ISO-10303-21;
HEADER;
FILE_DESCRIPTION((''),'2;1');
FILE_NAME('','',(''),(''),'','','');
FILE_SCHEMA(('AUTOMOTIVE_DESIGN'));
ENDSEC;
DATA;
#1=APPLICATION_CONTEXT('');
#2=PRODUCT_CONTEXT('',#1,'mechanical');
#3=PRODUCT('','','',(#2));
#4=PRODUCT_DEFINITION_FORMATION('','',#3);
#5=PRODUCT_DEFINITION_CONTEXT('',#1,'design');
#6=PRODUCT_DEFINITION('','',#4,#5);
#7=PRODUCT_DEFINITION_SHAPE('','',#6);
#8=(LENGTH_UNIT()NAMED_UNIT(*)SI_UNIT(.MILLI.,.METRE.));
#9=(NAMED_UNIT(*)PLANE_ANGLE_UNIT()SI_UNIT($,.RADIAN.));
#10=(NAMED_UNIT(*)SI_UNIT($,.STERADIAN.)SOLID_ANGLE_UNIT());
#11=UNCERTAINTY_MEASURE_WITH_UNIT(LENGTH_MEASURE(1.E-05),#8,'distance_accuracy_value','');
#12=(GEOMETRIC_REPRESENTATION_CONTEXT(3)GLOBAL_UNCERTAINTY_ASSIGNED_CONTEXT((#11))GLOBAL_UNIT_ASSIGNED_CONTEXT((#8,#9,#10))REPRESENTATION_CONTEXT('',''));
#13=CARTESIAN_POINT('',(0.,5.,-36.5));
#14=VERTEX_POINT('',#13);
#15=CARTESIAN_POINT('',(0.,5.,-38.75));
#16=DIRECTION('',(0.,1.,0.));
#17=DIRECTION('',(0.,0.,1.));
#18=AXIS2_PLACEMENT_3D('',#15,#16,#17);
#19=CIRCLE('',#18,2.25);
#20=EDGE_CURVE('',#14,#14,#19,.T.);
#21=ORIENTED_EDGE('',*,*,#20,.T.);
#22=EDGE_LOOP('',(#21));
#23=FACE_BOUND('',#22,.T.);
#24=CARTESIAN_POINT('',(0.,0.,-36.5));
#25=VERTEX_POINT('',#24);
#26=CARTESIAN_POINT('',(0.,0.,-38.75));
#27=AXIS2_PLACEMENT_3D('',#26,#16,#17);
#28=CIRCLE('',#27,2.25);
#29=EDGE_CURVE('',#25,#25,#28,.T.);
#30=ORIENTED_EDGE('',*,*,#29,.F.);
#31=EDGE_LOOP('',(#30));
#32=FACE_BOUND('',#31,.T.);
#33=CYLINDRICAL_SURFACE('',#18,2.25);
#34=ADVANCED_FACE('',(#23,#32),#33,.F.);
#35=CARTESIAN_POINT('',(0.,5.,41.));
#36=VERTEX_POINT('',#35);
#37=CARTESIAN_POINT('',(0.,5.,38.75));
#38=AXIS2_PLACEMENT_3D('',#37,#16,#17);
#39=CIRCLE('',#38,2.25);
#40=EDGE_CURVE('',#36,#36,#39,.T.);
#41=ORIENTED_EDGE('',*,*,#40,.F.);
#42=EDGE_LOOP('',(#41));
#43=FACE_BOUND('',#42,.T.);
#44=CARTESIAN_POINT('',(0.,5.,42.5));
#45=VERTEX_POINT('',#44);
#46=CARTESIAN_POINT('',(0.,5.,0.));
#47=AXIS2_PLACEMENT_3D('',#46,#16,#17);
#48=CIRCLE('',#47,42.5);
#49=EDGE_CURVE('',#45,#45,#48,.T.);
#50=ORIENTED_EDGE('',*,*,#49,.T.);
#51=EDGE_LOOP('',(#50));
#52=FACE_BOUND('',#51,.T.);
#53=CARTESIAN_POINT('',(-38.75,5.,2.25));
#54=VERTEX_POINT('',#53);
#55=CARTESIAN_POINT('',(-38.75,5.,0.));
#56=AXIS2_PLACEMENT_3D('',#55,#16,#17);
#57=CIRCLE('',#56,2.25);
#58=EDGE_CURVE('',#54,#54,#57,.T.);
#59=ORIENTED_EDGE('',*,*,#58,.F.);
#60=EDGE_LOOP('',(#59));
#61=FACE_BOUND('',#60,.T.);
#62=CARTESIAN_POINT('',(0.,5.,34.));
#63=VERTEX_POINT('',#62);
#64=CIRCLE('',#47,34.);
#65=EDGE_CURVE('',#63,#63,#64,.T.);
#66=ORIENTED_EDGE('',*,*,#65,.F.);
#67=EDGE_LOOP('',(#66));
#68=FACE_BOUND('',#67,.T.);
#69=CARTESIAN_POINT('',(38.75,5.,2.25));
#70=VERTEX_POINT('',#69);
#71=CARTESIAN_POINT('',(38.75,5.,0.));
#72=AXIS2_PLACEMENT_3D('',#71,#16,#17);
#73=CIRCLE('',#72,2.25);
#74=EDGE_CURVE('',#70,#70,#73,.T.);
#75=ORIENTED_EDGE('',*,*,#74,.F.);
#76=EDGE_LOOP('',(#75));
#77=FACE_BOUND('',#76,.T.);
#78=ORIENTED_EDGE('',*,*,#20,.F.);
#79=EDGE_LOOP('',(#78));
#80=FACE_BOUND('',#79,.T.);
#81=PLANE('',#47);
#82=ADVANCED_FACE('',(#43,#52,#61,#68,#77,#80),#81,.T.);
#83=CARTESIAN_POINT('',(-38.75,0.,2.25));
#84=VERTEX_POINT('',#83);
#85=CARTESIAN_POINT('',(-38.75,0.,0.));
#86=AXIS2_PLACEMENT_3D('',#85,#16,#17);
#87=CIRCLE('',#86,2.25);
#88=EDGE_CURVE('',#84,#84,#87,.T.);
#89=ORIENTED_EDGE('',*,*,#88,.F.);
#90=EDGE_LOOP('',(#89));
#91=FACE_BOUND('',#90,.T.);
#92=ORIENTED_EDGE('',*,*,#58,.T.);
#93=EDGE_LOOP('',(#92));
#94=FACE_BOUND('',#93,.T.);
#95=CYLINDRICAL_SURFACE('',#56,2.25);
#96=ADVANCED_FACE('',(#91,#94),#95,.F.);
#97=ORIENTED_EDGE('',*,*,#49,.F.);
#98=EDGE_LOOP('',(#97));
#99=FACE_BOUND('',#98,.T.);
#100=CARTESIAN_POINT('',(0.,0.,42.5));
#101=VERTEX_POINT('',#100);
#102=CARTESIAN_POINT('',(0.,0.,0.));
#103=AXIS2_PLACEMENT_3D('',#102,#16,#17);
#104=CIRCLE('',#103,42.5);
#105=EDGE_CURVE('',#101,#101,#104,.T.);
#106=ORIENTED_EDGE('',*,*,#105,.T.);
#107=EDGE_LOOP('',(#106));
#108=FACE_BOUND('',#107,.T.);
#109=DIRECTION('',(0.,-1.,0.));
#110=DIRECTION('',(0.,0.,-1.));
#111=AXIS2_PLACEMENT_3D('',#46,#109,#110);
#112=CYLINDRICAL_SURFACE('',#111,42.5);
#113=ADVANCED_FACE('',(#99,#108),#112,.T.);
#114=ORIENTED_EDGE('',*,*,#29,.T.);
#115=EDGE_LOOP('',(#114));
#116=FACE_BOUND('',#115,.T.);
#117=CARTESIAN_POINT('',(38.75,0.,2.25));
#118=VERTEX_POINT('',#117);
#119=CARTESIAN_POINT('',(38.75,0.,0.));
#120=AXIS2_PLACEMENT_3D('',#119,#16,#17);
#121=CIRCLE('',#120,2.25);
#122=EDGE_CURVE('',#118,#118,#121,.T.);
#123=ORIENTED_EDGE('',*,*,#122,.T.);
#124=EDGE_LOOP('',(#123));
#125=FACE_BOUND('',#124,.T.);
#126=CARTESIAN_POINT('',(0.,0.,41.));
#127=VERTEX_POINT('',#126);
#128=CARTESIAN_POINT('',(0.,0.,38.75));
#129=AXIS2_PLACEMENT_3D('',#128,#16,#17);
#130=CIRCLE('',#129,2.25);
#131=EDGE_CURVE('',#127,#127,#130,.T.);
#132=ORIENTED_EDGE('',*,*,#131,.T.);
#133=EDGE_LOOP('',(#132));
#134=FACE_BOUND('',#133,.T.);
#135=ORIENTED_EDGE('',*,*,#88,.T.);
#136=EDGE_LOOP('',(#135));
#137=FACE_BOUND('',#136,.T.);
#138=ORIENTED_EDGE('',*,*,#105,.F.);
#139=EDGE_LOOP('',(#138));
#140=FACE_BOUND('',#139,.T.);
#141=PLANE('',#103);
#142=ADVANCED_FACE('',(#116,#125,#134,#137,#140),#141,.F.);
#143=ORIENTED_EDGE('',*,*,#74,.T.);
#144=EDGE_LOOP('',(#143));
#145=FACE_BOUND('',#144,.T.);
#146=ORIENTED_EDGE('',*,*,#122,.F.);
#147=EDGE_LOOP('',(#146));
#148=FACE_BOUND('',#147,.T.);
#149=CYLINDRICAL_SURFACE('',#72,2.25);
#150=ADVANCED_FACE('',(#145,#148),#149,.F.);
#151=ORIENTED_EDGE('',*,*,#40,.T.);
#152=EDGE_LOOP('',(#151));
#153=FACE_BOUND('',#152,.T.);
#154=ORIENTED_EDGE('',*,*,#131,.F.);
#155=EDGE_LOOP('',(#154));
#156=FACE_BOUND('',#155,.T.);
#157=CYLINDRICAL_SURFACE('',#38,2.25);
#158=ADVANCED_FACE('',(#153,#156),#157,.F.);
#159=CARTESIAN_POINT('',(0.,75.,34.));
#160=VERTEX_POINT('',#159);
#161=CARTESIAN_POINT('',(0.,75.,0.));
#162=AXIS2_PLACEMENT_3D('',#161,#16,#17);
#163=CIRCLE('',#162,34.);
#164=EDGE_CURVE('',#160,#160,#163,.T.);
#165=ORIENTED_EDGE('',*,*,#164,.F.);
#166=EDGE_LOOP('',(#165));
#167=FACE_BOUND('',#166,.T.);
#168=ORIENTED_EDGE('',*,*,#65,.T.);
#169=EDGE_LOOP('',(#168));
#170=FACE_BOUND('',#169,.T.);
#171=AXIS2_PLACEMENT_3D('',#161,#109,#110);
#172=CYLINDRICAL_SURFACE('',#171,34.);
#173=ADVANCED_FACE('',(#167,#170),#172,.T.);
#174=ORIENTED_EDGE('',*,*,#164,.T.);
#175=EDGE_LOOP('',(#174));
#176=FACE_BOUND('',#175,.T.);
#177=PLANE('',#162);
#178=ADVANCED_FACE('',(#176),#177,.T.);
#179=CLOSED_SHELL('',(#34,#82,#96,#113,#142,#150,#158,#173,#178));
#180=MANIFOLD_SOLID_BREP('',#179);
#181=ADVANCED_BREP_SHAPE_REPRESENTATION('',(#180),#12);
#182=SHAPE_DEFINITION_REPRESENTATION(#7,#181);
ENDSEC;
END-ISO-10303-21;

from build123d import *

# Parameters (mm, degrees)
ESQUISSE1_R        = 42.5
BOSS_EXTRU_2_DEPTH = 5
D_GAGEMENT_M42_D   = 4.5
ESQUISSE12_R       = 34
BOSS_EXTRU_3_DEPTH = 70


with BuildPart() as part:
    # Esquisse1 → Boss.-Extru.2 (new body)
    with BuildSketch(Plane(origin=(0, 0, 0), x_dir=(1, 0, 0), z_dir=(0, 1, 0))):
        Circle(ESQUISSE1_R)
    extrude(amount=BOSS_EXTRU_2_DEPTH)

    # Dégagement M42 (through all)
    with Locations(Plane(origin=(0, 5, -38.75), x_dir=(0, 0, 1), z_dir=(0, 1, 0))):
        with Locations((0, 0), (38.75, -38.75), (77.5, 0), (38.75, 38.75)):
            Hole(D_GAGEMENT_M42_D / 2)

    # Esquisse12 → Boss.-Extru.3 (add)
    with BuildSketch(Plane(origin=(0, 5, 0), x_dir=(1, 0, 0), z_dir=(0, 1, 0))):
        Circle(ESQUISSE12_R)
    extrude(amount=BOSS_EXTRU_3_DEPTH)


solid = part.part
